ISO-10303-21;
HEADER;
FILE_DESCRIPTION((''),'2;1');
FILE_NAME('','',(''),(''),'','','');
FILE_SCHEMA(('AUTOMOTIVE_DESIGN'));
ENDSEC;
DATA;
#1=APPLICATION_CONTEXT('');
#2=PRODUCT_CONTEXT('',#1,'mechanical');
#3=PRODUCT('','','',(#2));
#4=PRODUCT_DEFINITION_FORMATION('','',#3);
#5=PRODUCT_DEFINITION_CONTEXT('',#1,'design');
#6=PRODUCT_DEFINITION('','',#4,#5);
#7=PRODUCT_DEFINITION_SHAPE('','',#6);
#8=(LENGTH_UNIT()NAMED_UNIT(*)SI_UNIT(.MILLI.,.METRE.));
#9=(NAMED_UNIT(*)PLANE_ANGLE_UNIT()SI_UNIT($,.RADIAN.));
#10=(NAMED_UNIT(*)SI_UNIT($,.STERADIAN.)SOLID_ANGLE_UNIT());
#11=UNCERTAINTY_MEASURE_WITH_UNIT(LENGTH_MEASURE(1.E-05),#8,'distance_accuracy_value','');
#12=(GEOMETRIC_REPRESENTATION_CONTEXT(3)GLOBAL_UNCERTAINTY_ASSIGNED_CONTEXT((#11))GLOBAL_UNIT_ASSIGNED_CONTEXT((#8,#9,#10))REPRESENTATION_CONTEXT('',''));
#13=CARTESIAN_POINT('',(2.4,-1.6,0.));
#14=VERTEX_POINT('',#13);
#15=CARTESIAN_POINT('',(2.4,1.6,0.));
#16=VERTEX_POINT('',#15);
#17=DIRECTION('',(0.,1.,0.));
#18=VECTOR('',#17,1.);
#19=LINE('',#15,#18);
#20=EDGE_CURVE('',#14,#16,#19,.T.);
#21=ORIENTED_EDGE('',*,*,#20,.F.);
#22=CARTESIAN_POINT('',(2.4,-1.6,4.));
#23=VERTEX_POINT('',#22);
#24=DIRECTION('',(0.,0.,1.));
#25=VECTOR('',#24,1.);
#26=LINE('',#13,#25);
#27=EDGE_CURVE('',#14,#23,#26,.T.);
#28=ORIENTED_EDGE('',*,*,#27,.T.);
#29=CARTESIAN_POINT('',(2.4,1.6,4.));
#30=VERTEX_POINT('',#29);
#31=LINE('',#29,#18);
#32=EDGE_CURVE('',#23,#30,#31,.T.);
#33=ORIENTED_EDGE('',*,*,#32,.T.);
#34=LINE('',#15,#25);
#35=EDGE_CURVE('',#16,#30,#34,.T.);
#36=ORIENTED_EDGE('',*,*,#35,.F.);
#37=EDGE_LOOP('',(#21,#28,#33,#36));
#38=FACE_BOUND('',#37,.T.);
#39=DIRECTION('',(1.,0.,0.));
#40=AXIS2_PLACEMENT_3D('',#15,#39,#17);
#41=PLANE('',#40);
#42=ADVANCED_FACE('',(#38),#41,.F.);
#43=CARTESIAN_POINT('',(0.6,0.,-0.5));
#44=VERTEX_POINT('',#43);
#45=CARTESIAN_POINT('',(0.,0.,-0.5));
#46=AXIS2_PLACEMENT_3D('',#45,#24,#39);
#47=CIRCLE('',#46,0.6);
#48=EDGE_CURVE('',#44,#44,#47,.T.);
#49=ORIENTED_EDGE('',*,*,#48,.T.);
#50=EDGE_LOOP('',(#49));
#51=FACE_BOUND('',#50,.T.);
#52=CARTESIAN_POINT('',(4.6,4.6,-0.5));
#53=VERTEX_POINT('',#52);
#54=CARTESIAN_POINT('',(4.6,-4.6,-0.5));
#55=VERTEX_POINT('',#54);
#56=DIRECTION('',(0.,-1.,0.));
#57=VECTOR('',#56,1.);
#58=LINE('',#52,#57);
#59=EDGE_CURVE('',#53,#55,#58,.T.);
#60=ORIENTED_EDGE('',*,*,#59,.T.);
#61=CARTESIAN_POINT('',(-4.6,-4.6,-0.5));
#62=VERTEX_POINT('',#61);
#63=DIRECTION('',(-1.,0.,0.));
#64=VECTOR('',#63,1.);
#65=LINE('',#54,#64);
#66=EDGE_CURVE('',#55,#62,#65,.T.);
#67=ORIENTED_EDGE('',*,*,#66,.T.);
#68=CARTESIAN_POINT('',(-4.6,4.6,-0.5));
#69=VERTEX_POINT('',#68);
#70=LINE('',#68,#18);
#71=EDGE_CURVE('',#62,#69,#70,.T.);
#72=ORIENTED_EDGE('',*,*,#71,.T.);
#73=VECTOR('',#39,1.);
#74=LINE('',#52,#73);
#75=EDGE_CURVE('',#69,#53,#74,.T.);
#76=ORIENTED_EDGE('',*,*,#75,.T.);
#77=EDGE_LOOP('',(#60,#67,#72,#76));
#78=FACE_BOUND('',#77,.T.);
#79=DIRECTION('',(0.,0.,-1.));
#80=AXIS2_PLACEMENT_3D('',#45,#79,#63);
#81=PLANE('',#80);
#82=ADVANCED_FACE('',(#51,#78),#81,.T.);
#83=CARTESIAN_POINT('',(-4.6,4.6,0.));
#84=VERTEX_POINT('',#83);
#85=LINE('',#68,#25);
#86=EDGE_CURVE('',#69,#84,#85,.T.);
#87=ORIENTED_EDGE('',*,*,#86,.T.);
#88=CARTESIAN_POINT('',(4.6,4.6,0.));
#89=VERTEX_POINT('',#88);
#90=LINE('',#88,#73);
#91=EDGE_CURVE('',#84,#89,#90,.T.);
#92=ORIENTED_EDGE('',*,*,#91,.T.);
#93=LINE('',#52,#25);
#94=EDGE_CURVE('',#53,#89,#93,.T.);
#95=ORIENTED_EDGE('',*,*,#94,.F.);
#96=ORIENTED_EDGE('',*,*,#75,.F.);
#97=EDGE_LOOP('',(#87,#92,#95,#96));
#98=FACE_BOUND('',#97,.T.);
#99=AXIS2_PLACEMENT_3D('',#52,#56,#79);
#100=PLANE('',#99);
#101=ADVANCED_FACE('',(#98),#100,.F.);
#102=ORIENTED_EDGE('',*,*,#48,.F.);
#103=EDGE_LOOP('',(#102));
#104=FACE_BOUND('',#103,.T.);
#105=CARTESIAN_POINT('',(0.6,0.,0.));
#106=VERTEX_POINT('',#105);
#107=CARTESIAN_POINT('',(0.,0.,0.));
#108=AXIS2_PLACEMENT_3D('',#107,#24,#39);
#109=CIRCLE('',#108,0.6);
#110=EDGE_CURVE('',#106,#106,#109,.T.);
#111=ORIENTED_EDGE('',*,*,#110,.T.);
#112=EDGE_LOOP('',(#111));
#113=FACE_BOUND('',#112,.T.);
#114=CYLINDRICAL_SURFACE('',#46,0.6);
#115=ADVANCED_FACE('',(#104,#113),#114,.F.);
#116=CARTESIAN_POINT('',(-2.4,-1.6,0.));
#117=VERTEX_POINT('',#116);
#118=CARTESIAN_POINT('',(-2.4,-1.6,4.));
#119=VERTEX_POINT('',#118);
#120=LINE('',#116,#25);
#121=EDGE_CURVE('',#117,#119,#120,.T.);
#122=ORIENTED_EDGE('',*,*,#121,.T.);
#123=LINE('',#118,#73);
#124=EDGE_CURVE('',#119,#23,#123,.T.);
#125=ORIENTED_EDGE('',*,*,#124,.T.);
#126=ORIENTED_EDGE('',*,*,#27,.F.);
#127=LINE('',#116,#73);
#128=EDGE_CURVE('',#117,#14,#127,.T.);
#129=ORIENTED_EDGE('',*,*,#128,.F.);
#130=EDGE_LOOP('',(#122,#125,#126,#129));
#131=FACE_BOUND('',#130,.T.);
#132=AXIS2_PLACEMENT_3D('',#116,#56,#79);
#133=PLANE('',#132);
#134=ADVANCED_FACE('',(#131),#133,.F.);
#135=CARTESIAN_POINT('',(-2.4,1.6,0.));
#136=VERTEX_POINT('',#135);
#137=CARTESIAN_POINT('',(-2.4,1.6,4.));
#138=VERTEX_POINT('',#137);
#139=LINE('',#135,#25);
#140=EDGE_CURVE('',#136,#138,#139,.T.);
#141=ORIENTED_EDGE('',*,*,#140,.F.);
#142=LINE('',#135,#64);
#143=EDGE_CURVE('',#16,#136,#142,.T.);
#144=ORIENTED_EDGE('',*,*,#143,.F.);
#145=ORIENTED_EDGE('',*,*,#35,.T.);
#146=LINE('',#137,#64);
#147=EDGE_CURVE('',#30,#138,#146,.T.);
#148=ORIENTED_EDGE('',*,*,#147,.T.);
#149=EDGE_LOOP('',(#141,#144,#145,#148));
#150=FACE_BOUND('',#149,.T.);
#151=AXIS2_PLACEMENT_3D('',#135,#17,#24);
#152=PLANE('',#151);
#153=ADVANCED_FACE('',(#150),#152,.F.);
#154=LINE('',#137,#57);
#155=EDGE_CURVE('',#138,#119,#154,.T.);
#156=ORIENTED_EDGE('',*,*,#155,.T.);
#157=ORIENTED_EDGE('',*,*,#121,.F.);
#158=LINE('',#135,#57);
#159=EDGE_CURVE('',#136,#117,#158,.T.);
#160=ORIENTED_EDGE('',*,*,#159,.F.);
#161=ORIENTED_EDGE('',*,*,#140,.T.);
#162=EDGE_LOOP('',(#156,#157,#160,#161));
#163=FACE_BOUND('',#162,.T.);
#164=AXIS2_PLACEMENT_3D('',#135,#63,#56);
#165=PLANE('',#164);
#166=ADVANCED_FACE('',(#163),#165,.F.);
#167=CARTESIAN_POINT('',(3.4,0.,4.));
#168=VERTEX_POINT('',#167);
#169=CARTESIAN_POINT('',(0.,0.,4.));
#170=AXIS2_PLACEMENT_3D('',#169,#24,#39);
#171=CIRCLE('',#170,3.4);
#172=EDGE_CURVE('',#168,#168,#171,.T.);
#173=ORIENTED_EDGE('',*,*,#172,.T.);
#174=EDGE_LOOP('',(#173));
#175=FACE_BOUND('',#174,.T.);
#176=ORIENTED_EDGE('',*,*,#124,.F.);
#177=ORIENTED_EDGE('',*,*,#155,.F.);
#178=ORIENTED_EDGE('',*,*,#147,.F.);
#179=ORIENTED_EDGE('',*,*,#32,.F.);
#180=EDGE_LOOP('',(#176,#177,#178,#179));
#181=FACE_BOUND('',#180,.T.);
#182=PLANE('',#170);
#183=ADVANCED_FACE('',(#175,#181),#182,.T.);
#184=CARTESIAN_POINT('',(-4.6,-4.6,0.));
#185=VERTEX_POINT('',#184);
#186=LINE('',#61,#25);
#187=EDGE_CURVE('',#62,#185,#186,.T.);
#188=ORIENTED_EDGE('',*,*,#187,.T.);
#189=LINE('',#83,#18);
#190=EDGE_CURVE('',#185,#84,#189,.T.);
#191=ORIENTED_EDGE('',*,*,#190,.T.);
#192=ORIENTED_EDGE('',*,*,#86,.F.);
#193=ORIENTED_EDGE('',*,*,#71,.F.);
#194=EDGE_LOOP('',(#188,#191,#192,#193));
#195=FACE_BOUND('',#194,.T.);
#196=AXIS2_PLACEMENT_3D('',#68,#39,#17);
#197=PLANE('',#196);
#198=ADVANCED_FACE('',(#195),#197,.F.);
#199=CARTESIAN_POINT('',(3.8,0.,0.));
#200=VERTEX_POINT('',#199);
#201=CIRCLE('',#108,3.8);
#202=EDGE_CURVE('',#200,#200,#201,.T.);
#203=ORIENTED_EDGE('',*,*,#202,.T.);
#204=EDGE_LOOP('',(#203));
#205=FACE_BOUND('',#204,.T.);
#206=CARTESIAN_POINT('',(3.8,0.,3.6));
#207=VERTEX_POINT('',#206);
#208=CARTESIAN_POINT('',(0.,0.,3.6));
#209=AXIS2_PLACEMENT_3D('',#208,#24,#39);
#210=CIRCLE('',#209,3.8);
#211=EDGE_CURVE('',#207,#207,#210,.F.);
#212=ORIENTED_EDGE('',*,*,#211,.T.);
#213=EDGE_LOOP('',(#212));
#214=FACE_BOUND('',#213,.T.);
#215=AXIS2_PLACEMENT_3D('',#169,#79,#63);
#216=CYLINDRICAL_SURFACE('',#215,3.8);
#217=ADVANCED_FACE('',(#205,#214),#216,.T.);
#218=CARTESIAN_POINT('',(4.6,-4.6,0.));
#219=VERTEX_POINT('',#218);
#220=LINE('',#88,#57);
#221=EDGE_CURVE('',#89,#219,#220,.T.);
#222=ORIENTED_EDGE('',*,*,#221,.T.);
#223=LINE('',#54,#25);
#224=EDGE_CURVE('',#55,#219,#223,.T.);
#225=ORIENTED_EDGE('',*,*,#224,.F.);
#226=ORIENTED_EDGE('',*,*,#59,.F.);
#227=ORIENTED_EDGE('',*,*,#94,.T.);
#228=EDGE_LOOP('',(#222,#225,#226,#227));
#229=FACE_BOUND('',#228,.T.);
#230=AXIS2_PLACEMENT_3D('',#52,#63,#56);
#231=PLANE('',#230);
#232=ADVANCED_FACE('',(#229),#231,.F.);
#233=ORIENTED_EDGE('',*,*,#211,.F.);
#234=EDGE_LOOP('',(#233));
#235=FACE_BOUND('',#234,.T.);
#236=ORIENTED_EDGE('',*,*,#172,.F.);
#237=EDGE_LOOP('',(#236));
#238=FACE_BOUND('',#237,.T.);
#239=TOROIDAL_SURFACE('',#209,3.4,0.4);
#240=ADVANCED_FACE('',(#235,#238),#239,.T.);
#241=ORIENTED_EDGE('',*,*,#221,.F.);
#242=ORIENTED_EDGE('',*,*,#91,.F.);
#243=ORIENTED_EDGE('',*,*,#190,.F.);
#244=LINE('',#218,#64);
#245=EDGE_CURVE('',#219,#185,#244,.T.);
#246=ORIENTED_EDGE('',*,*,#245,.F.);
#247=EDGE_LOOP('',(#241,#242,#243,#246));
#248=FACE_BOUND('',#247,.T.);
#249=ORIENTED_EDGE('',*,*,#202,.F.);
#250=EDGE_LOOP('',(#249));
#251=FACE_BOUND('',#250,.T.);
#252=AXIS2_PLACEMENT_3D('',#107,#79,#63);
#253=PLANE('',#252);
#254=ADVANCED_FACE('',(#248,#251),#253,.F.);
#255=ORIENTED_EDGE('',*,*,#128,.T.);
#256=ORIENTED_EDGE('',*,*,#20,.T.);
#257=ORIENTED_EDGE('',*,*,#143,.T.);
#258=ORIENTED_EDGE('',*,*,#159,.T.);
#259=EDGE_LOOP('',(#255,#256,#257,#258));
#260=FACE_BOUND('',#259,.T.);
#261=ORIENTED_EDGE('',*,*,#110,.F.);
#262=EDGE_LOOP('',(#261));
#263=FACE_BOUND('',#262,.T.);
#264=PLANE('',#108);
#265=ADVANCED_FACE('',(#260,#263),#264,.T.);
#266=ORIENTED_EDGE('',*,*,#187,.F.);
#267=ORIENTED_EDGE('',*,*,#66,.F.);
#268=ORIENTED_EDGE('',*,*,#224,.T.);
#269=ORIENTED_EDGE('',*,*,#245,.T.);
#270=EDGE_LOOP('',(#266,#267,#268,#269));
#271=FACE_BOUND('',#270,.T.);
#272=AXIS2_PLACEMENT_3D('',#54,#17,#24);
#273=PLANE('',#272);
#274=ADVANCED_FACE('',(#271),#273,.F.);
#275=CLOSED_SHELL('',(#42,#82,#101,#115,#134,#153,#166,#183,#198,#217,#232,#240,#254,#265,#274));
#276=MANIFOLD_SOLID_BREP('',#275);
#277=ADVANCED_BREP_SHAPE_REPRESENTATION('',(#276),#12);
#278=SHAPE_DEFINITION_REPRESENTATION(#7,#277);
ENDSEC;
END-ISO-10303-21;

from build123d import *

# Parameters (mm, degrees)
SKETCH_1_R          = 3.8
EXTRUDE_1_DEPTH     = 4
SKETCH_2_W          = 9.2
SKETCH_2_H          = 9.2
EXTRUDE_2_DEPTH     = 0.5
FILLET_1_R          = 0.4
SKETCH_4_W          = 4.8
SKETCH_4_H          = 3.2
CUT_EXTRUDE_1_DEPTH = 4
SKETCH_5_R          = 0.6
CUT_EXTRUDE_2_DEPTH = 8.636753237


with BuildPart() as part:
    # Эскиз1 → Бобышка-Вытянуть1 (new body)
    with BuildSketch(Plane.XY):
        Circle(SKETCH_1_R)
    extrude(amount=EXTRUDE_1_DEPTH)

    # Эскиз2 → Бобышка-Вытянуть2 (add)
    with BuildSketch(Plane(origin=(0, 0, 0), x_dir=(-1, 0, 0), z_dir=(0, 0, -1))):
        Rectangle(SKETCH_2_W, SKETCH_2_H)
    extrude(amount=EXTRUDE_2_DEPTH)

    # Скругление1
    fillet_1_edges = [part.edges().sort_by_distance(p)[0] for p in [
        (-3.8, 0, 4),
    ]]
    fillet(fillet_1_edges, radius=FILLET_1_R)

    # Эскиз4 → Вырез-Вытянуть1 (cut)
    with BuildSketch(Plane.XY.offset(4)):
        Rectangle(SKETCH_4_W, SKETCH_4_H)
    extrude(amount=-CUT_EXTRUDE_1_DEPTH, mode=Mode.SUBTRACT)

    # Эскиз5 → Вырез-Вытянуть2 (cut, through all)
    with BuildSketch(Plane.XY):
        Circle(SKETCH_5_R)
    extrude(amount=-CUT_EXTRUDE_2_DEPTH, mode=Mode.SUBTRACT)


solid = part.part
